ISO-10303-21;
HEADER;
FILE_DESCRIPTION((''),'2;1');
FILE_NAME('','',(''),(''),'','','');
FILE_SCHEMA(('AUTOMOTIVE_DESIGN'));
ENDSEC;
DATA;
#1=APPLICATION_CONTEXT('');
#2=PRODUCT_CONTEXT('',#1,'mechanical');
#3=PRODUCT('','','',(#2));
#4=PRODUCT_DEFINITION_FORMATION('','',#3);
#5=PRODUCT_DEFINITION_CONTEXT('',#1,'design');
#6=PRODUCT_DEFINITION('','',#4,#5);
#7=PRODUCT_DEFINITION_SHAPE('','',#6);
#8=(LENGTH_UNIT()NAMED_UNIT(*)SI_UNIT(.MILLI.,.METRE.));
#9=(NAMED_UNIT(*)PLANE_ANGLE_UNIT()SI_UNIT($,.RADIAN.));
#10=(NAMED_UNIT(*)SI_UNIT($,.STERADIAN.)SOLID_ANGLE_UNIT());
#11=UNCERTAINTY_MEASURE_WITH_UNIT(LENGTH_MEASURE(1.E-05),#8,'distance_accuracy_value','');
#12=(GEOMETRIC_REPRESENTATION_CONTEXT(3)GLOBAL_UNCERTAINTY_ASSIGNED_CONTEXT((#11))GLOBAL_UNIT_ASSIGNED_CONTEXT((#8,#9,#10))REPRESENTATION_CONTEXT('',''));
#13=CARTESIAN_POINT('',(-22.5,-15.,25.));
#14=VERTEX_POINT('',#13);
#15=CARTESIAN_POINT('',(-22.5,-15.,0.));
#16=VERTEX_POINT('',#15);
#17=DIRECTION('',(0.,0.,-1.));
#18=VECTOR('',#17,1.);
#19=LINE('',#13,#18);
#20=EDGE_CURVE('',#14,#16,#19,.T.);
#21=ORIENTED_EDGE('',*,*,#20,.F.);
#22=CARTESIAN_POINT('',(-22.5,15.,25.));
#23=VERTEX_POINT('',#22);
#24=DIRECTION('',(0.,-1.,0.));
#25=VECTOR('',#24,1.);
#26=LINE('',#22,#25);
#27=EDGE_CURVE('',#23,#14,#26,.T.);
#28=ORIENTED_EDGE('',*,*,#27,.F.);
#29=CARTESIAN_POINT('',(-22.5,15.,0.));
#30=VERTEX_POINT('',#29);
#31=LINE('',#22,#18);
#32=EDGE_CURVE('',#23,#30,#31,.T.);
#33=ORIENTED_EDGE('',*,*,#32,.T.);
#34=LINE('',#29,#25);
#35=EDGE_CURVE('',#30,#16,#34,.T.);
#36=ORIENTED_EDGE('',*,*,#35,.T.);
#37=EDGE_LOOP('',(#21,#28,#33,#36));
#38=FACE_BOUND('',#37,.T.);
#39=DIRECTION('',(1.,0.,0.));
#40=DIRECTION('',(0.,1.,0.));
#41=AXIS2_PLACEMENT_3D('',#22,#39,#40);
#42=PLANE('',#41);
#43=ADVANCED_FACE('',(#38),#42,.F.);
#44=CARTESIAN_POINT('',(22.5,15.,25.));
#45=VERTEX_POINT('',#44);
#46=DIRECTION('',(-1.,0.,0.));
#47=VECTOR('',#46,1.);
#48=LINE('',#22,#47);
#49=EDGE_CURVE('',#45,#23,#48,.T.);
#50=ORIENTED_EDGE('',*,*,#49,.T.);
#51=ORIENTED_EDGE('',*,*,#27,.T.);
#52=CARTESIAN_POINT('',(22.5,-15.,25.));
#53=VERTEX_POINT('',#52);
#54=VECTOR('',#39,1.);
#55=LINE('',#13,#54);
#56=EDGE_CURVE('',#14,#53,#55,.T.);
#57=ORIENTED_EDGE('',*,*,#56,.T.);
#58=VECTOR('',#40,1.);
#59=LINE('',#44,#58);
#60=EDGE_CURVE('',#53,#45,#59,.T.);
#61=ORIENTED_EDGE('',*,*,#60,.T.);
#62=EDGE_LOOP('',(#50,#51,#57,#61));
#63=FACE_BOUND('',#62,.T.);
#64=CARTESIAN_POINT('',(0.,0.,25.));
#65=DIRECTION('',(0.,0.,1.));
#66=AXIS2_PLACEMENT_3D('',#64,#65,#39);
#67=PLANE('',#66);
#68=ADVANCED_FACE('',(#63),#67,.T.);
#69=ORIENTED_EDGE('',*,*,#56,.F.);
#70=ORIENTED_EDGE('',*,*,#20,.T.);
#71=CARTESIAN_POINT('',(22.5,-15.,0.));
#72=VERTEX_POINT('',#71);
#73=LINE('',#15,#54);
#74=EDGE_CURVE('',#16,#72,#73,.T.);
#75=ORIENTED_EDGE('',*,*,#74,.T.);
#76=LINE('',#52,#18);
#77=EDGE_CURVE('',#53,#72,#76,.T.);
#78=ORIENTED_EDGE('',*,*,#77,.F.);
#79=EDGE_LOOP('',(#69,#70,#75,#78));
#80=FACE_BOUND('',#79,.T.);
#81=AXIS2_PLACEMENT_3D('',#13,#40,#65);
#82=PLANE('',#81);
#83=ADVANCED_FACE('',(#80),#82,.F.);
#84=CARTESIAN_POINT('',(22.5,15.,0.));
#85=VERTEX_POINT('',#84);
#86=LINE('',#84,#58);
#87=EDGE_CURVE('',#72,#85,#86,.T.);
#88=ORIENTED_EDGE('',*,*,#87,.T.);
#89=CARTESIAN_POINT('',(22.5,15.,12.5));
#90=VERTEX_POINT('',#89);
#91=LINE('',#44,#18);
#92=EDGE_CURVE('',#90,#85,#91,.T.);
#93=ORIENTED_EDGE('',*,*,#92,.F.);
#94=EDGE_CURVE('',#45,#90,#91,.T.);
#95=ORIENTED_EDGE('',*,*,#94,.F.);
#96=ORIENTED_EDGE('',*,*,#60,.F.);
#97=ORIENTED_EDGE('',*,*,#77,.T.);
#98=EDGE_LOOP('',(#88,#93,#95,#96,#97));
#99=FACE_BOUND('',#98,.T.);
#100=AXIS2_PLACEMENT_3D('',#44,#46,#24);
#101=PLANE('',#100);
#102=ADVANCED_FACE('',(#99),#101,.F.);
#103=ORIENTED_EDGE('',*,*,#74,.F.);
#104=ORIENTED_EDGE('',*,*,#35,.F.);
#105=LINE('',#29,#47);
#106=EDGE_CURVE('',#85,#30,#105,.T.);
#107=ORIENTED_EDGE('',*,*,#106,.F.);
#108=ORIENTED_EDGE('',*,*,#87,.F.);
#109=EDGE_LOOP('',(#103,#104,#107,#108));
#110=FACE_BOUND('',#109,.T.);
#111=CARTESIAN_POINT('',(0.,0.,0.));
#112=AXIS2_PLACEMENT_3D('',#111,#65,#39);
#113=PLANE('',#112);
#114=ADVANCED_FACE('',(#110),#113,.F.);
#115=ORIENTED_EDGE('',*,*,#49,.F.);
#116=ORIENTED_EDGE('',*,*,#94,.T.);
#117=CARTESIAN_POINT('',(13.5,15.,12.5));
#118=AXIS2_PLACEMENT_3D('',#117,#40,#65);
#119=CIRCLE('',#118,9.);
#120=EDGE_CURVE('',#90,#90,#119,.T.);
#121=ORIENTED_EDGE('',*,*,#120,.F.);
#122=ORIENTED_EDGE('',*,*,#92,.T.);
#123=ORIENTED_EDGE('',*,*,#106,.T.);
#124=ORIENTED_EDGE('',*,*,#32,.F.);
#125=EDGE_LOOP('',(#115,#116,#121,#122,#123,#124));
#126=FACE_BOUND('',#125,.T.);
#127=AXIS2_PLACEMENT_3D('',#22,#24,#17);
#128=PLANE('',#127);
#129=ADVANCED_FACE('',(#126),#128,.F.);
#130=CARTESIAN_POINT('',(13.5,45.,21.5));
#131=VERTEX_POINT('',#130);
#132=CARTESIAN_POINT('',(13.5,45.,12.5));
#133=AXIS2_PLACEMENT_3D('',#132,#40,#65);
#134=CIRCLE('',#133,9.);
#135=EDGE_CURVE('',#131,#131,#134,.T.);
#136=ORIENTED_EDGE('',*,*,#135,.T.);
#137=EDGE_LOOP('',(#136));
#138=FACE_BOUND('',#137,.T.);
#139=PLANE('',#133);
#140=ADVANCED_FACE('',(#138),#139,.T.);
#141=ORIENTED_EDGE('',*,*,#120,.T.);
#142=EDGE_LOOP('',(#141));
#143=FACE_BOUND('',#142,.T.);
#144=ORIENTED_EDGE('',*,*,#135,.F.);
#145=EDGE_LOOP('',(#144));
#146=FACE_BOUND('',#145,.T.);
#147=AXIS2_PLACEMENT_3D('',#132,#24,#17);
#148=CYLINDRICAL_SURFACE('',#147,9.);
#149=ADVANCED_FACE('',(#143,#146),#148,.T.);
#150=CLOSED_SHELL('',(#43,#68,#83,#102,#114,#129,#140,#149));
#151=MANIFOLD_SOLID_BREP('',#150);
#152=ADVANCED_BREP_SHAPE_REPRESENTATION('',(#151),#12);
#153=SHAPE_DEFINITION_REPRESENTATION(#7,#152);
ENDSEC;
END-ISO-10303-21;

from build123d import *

# Parameters (mm, degrees)
SKETCH1_W           = 45
SKETCH1_H           = 30
BOSS_EXTRUDE1_DEPTH = 25
SKETCH2_R           = 9
BOSS_EXTRUDE2_DEPTH = 30


with BuildPart() as part:
    # Sketch1 → Boss-Extrude1 (new body)
    with BuildSketch(Plane.XY):
        Rectangle(SKETCH1_W, SKETCH1_H)
    extrude(amount=BOSS_EXTRUDE1_DEPTH)

    # Sketch2 → Boss-Extrude2 (add)
    with BuildSketch(Plane(origin=(0, 15, 0), x_dir=(1, 0, 0), z_dir=(0, 1, 0))):
        with Locations((13.5, -12.5)):
            Circle(SKETCH2_R)
    extrude(amount=BOSS_EXTRUDE2_DEPTH)


solid = part.part
